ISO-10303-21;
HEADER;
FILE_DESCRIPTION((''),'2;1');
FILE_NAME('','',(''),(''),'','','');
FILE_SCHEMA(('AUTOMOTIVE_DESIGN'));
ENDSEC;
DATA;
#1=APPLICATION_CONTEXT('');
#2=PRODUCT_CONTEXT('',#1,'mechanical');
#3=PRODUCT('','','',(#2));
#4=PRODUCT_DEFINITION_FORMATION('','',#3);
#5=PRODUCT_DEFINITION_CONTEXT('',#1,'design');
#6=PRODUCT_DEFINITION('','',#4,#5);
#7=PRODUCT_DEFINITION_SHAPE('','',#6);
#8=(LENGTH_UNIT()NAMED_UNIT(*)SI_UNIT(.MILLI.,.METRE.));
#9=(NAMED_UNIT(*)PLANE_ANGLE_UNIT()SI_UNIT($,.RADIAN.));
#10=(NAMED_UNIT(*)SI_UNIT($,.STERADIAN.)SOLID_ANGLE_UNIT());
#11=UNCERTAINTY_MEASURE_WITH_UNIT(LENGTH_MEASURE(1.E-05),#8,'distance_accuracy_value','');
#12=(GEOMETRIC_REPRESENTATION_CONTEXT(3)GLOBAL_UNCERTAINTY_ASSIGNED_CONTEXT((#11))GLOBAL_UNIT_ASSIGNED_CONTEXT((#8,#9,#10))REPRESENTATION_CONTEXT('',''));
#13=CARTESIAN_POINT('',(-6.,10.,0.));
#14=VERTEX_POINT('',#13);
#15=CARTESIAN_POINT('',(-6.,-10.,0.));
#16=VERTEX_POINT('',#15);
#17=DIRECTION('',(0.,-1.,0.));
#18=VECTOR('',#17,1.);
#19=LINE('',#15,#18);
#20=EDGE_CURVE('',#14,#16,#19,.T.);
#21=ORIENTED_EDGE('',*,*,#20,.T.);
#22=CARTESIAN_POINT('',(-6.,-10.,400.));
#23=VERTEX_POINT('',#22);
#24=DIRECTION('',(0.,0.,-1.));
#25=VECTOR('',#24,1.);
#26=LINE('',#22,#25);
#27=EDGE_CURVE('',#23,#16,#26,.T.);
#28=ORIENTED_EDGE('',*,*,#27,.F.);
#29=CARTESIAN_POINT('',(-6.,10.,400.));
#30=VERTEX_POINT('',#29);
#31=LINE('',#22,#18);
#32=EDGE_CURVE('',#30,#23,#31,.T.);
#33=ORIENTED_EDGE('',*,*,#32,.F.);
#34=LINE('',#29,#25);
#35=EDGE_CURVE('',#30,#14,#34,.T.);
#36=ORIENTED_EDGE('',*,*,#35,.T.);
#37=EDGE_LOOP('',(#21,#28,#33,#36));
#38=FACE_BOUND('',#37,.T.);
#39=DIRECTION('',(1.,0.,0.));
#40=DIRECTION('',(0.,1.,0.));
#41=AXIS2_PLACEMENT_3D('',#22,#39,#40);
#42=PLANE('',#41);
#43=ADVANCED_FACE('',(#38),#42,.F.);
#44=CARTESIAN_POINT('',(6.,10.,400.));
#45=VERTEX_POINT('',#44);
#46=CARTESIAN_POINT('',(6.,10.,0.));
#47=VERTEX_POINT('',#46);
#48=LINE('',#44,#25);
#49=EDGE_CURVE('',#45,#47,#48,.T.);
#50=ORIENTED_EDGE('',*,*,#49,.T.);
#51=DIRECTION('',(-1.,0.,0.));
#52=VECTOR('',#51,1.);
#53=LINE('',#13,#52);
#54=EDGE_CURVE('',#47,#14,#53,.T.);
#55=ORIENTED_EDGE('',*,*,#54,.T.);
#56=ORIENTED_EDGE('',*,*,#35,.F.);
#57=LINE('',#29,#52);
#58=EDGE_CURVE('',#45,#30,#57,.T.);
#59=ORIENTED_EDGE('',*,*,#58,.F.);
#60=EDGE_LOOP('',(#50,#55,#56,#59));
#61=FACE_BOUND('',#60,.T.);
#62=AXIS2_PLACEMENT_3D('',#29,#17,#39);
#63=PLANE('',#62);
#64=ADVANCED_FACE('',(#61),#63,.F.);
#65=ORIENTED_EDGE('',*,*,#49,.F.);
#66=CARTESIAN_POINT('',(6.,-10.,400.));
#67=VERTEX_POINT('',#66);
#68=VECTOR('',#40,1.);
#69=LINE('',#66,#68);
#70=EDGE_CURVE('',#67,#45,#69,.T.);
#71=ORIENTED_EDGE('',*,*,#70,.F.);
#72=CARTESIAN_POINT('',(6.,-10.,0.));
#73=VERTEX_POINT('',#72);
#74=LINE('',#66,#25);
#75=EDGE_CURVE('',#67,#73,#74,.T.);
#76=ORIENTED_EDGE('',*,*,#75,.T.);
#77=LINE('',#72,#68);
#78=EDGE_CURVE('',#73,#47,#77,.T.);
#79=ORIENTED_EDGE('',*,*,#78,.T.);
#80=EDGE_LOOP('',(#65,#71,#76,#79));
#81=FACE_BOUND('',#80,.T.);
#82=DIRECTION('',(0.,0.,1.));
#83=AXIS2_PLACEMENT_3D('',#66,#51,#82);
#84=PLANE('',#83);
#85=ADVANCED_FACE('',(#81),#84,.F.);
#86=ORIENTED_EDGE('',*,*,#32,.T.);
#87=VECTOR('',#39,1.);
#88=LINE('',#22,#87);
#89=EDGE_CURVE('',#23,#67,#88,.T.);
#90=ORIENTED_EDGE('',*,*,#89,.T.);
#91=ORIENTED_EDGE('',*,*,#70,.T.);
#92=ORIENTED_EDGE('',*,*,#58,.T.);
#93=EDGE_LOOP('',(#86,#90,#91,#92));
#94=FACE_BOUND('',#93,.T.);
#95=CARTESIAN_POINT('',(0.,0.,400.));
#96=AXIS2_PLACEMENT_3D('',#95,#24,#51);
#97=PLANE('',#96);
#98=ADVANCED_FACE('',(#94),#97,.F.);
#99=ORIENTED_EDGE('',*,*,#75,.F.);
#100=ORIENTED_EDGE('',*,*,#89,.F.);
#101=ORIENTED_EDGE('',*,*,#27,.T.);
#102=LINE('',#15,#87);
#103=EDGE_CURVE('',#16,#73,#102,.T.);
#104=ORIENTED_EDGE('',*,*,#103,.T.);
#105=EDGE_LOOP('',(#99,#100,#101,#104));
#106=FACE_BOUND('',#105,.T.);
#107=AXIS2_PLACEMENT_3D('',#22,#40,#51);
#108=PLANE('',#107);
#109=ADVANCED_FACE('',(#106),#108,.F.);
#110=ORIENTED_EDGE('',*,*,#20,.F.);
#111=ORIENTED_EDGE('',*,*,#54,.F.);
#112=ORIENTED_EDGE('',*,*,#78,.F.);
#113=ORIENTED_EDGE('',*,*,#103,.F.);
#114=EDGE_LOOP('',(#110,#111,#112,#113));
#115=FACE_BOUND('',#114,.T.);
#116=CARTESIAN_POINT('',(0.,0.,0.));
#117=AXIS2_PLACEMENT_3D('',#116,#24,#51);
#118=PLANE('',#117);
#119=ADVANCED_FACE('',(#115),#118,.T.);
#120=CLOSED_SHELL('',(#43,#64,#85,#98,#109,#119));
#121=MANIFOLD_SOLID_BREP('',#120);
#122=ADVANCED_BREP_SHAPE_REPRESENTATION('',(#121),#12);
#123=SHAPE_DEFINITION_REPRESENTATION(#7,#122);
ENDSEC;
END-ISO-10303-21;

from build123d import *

# Parameters (mm, degrees)
SZKIC1_W                    = 12
SZKIC1_H                    = 20
DODANIE_WYCI_GNI_CIE1_DEPTH = 400


with BuildPart() as part:
    # Szkic1 → Dodanie-wyciągnięcie1 (new body)
    with BuildSketch(Plane.XY):
        Rectangle(SZKIC1_W, SZKIC1_H)
    extrude(amount=DODANIE_WYCI_GNI_CIE1_DEPTH)


solid = part.part
